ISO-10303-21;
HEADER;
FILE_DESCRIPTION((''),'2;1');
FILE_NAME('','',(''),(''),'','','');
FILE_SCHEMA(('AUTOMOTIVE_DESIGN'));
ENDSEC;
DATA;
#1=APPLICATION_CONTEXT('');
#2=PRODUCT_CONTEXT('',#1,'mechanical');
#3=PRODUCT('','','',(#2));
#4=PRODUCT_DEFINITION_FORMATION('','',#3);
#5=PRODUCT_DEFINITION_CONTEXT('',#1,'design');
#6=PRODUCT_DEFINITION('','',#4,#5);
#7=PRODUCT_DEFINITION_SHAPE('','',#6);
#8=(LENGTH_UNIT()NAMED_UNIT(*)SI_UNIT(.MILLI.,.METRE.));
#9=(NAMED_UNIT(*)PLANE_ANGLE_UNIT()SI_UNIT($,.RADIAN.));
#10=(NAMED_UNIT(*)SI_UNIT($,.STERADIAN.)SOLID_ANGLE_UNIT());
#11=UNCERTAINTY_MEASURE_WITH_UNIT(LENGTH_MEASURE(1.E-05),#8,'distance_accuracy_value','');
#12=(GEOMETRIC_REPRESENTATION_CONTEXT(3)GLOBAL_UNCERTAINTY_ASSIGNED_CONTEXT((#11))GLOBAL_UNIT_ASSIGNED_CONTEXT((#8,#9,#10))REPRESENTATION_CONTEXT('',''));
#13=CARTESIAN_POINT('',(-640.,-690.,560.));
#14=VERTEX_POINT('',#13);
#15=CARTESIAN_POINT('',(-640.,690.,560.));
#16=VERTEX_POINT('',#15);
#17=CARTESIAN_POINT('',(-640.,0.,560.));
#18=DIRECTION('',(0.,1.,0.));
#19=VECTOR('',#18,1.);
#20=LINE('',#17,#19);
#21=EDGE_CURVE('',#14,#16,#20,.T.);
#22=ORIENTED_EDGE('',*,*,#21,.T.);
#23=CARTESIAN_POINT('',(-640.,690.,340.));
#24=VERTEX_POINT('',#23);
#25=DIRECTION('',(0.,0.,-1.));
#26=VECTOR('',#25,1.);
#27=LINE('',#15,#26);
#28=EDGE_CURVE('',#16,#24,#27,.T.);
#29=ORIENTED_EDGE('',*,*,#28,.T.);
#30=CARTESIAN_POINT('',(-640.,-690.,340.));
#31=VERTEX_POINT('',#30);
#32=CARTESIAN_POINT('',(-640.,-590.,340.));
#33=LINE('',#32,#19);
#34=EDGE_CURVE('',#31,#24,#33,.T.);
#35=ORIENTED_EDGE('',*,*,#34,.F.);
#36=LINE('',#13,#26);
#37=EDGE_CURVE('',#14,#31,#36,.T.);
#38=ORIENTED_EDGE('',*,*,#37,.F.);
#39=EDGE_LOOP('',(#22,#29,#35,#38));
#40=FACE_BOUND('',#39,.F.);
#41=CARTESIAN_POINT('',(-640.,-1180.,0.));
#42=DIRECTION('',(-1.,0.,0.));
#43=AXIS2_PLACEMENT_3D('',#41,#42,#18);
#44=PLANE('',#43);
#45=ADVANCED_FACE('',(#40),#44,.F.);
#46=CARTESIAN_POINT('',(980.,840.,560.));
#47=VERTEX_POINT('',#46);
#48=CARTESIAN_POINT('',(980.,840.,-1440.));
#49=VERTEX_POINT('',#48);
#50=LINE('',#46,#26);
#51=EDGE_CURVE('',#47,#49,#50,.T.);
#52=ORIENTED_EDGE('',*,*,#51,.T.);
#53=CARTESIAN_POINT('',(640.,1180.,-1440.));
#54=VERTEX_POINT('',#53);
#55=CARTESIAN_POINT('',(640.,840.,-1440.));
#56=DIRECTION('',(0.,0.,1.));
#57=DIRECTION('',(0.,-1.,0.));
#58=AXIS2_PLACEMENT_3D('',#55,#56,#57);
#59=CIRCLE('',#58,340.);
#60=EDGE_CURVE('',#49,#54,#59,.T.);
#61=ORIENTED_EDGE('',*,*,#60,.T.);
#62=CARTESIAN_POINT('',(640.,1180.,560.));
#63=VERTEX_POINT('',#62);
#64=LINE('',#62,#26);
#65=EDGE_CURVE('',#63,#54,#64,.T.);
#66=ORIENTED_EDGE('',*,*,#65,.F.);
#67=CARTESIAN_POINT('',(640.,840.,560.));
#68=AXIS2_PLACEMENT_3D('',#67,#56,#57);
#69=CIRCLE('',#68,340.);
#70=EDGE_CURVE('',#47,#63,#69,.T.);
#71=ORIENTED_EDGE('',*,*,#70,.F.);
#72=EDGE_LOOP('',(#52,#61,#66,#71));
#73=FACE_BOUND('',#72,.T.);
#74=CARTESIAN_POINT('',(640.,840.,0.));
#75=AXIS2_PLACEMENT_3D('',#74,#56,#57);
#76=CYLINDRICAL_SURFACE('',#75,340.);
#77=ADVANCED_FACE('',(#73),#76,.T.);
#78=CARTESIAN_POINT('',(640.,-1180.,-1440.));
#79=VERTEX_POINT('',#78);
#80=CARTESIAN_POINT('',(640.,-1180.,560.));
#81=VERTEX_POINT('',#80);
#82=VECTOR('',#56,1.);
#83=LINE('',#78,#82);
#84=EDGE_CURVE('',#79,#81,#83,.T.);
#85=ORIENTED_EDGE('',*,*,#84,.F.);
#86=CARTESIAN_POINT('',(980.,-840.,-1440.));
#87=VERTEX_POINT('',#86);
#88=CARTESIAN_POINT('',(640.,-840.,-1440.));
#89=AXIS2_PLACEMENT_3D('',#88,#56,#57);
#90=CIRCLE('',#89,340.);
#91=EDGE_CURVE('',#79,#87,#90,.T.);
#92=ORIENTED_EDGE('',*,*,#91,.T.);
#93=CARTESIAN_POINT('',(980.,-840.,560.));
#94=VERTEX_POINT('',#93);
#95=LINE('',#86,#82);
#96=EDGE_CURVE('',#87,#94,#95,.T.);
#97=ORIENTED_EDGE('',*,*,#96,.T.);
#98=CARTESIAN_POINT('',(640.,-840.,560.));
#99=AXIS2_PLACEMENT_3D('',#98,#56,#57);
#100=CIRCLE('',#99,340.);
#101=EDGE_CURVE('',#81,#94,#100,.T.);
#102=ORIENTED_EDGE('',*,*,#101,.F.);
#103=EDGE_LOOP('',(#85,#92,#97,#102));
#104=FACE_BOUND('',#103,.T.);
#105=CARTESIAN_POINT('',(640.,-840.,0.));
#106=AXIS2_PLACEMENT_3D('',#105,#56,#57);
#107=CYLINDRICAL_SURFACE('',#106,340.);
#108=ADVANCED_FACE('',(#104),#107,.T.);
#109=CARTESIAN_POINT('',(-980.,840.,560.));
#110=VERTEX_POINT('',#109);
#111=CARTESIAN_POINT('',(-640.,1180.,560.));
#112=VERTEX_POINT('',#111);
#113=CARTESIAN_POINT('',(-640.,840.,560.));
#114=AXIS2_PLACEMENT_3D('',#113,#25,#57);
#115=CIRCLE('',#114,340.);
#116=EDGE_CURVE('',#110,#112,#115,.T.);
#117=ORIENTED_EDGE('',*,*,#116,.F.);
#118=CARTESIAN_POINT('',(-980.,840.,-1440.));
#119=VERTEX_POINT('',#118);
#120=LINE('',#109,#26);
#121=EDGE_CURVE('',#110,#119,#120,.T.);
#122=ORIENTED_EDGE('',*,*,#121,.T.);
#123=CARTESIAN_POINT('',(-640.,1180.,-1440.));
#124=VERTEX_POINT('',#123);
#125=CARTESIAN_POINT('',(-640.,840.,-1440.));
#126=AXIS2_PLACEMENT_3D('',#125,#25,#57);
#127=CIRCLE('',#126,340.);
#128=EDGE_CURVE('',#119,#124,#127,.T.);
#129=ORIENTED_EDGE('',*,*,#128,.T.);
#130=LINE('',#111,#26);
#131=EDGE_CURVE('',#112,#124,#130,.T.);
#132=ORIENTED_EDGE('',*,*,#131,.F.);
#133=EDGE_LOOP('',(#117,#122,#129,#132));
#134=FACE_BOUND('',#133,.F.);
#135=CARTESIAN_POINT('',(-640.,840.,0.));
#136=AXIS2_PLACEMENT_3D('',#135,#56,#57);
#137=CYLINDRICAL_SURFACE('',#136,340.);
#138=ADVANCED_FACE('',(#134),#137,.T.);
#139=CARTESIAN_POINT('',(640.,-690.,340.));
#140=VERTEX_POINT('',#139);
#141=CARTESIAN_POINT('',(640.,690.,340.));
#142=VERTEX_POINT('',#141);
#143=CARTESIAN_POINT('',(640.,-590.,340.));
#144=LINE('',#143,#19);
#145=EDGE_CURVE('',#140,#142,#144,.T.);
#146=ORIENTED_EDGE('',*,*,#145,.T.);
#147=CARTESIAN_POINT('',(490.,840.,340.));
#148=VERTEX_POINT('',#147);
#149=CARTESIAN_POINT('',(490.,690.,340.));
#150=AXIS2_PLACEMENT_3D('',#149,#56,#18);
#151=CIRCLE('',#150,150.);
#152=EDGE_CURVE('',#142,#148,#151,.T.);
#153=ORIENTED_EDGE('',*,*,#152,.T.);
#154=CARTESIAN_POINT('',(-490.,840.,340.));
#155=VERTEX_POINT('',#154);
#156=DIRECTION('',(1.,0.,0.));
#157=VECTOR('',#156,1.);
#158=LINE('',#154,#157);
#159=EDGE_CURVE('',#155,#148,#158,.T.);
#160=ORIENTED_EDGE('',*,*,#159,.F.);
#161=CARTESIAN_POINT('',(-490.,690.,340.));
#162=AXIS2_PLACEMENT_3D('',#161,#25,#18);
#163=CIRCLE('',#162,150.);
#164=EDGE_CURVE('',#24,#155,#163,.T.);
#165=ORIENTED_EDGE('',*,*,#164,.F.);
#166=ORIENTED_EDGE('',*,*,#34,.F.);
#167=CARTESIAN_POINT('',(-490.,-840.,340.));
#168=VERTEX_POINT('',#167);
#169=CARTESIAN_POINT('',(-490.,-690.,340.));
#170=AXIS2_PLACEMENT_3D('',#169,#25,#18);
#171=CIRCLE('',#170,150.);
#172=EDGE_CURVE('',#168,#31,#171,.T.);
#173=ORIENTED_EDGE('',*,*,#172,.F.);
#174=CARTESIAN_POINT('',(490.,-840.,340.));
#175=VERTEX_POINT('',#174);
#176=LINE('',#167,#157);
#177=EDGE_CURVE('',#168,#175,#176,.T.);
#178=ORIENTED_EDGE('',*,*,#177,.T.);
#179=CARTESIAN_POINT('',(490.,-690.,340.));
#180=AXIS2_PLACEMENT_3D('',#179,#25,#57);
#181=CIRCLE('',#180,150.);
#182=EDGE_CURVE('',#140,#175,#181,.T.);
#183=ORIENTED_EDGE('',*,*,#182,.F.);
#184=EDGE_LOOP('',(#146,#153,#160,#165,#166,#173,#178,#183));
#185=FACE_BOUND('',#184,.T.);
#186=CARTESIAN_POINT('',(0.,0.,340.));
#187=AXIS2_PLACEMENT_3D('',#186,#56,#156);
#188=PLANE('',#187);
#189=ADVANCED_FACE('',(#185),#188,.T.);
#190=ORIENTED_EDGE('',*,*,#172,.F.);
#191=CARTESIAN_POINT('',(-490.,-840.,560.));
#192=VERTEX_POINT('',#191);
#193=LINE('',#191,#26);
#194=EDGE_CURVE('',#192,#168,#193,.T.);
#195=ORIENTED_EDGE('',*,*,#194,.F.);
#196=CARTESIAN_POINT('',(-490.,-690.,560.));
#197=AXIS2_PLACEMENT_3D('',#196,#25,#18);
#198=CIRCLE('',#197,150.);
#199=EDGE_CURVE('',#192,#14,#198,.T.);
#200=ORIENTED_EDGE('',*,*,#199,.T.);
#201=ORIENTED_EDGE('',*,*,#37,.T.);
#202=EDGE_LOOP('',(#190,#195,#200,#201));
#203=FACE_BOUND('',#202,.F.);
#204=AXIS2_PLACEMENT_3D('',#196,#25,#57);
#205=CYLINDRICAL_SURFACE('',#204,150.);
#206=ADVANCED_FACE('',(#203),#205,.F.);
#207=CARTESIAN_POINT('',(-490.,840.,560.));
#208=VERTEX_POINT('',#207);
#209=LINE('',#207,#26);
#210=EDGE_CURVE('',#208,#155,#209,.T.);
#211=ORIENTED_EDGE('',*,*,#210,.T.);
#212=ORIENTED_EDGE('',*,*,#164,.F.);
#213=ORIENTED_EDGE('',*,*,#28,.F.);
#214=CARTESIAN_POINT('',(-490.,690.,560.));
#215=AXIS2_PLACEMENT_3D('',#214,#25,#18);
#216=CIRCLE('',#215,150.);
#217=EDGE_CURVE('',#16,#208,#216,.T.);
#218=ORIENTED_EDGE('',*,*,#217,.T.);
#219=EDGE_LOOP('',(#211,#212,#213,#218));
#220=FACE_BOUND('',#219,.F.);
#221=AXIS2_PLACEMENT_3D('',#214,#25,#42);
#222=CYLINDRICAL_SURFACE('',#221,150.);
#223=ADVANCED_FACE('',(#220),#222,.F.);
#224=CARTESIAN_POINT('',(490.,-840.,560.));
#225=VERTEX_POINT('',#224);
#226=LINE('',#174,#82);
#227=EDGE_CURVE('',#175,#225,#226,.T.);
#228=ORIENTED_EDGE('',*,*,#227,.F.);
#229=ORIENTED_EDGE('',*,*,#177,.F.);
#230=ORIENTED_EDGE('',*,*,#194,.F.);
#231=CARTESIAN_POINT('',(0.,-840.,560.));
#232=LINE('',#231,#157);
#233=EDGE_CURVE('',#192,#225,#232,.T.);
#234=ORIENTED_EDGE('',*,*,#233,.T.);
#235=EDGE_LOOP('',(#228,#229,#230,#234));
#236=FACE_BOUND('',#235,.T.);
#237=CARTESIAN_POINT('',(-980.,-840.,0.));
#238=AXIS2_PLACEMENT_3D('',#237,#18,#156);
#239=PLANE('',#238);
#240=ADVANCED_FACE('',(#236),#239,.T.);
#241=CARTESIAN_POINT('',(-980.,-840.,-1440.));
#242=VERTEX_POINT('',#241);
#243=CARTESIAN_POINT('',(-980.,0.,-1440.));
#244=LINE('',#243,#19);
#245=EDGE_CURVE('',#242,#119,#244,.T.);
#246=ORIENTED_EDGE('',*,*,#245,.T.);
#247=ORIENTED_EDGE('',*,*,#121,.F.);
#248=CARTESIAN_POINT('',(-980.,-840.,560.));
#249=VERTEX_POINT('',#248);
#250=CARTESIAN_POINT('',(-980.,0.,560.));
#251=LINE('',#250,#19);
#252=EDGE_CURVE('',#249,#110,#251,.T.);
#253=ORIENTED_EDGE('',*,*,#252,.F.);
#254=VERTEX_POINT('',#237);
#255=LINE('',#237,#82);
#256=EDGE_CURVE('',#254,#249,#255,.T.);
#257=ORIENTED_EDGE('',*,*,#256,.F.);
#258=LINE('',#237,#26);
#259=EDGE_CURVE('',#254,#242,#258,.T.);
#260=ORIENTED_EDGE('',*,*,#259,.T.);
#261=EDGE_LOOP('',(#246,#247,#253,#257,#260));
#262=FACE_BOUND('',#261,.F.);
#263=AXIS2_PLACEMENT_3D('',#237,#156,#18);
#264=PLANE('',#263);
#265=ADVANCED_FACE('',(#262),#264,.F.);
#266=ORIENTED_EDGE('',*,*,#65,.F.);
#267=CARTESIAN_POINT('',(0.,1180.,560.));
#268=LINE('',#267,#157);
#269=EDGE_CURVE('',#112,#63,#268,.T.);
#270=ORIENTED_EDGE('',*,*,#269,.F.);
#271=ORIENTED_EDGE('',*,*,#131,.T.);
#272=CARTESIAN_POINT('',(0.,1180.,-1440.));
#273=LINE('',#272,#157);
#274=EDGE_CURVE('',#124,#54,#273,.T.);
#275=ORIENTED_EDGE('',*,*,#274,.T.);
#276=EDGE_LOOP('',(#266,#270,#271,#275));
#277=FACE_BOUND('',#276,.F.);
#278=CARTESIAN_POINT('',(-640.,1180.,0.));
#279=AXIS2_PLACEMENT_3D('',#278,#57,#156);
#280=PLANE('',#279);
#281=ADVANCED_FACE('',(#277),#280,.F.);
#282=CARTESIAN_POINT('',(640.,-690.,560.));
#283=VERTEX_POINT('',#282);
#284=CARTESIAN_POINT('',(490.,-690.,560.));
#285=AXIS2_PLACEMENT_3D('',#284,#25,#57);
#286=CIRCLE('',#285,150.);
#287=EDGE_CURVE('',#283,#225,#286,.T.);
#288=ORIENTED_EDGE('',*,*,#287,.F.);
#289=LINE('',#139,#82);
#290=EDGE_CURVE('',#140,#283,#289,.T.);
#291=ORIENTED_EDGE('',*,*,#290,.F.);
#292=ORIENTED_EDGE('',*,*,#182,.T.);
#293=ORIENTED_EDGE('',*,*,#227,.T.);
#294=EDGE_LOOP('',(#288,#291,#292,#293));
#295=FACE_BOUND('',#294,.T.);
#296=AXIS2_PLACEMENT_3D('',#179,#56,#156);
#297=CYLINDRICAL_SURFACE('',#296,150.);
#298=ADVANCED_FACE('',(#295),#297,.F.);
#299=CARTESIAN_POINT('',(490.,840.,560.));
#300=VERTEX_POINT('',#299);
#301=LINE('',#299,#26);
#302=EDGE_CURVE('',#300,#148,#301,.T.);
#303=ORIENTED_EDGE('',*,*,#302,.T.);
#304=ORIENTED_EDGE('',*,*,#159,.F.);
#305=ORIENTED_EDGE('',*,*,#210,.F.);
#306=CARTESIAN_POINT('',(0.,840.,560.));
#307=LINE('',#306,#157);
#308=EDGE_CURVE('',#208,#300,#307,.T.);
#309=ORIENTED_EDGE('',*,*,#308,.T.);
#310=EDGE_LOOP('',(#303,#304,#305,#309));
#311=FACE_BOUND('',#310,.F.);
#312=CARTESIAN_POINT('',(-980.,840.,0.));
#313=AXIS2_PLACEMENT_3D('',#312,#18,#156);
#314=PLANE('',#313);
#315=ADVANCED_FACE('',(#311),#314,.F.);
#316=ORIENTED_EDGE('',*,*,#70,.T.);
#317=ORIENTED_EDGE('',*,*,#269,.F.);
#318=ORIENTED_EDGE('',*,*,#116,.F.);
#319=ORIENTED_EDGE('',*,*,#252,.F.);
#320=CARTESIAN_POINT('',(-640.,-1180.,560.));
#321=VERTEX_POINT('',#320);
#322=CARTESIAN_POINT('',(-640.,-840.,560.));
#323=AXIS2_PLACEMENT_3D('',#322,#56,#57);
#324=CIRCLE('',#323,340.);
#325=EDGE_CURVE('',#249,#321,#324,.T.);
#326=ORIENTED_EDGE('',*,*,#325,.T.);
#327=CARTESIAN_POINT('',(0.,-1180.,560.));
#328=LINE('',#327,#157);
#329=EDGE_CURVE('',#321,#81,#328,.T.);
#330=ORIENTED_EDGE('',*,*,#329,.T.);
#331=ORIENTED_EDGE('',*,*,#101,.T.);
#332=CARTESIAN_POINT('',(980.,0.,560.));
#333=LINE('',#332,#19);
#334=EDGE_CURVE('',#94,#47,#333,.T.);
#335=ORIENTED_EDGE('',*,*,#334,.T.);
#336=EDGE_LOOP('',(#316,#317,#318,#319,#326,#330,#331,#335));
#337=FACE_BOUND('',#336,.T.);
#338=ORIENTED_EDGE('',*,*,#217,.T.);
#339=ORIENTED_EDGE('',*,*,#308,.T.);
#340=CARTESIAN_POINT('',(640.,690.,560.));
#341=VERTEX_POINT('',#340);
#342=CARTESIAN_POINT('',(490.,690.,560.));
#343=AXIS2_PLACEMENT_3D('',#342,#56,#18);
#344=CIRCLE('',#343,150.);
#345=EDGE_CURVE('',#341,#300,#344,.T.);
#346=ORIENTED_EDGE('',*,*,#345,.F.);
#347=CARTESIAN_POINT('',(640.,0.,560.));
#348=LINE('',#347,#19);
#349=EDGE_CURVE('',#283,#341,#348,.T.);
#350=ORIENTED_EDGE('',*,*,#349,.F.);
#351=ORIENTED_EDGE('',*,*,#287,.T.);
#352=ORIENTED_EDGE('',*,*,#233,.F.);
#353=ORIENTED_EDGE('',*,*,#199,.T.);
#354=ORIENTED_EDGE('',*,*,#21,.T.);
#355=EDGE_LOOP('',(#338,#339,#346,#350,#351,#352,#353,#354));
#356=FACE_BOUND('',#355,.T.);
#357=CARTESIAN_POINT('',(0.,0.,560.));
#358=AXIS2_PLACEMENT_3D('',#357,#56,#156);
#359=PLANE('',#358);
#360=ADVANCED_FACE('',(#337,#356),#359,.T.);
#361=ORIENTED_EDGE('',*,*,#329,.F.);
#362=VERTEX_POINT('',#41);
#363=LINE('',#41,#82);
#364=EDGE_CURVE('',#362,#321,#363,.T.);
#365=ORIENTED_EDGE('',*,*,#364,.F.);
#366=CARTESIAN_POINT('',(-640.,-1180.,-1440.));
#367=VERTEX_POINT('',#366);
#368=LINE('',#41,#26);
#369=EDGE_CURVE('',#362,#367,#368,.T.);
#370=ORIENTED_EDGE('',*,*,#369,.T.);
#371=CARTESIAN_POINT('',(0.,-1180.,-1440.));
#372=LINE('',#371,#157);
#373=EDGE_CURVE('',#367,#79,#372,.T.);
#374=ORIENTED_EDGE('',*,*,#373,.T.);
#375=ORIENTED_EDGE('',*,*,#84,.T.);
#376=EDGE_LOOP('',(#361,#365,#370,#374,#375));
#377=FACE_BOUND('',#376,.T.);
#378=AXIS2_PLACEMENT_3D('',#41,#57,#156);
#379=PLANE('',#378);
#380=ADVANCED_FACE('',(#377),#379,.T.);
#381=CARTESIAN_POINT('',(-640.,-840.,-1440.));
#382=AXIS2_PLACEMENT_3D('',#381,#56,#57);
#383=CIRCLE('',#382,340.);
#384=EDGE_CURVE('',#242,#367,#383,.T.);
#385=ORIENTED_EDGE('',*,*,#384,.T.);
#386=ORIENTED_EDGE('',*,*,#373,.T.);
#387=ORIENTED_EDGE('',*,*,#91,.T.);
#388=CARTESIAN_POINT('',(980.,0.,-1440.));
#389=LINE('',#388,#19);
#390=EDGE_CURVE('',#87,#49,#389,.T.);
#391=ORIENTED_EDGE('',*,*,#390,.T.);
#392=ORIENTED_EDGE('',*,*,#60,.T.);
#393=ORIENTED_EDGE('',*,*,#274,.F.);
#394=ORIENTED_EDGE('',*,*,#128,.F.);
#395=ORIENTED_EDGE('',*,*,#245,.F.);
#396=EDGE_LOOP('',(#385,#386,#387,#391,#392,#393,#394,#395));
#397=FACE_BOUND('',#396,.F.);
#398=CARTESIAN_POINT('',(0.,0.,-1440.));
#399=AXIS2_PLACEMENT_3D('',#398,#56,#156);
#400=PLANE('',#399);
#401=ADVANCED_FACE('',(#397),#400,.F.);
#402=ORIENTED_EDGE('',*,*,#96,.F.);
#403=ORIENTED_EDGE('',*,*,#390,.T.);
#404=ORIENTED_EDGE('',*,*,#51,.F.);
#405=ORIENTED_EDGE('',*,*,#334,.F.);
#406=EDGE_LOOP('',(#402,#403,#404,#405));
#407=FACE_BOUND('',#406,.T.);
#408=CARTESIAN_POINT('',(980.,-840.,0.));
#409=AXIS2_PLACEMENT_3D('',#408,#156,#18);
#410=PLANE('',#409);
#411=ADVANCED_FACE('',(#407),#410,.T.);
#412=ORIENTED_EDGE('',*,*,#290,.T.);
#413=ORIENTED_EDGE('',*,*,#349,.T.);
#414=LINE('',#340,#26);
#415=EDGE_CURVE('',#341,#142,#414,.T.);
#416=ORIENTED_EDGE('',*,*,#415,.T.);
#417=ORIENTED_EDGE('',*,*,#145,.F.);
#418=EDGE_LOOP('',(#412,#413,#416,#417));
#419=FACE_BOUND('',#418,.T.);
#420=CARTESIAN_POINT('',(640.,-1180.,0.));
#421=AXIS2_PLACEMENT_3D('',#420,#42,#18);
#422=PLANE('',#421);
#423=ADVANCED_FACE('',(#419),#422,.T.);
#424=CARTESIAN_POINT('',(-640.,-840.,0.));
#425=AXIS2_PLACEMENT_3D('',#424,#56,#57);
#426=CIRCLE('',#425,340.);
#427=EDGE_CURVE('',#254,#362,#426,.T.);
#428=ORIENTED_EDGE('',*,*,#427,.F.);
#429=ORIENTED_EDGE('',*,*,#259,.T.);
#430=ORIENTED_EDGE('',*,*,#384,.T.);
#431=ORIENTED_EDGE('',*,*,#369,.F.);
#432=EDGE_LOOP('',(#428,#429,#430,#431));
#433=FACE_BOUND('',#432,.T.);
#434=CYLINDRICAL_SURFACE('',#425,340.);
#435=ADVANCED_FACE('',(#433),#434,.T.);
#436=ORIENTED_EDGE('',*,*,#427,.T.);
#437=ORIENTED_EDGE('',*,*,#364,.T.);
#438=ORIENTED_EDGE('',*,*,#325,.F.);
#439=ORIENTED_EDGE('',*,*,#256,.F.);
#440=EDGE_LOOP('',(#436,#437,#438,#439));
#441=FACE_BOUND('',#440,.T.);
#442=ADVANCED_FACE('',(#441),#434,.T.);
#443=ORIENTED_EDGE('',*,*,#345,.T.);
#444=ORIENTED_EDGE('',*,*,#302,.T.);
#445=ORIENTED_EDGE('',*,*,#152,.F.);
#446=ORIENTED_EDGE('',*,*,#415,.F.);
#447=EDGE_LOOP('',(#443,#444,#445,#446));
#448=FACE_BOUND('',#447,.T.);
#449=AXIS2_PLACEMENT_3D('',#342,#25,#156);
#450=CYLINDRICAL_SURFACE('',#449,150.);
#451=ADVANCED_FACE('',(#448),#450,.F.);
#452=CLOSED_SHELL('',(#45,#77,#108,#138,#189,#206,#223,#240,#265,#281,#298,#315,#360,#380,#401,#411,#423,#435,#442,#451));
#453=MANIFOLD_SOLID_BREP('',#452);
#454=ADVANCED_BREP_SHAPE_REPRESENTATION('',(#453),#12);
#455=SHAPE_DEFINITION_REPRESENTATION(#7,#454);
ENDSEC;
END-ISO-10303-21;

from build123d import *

# Parameters (mm, degrees)
F0_W     = 1960
F0_H     = 2360
F1_DEPTH = 560
F2_T     = -340
F3_R     = 340
F4_R     = 150
F5_DEPTH = 1440


with BuildPart() as f1:
    # F0 (on Top) → F1 (new body)
    with BuildSketch(Plane.XY):
        Rectangle(F0_W, F0_H)
    extrude(amount=F1_DEPTH)

    # F2
    f2_openings = [f1.faces().sort_by_distance(p)[0] for p in [
        (0, 0, 560),
    ]]
    offset(amount=F2_T, openings=f2_openings)

    # F3
    f3_edges = [f1.edges().sort_by_distance(p)[0] for p in [
        (-980, 1180, 280),
        (980, 1180, 280),
        (-980, -1180, 280),
        (980, -1180, 280),
    ]]
    fillet(f3_edges, radius=F3_R)

    # F4
    f4_edges = [f1.edges().sort_by_distance(p)[0] for p in [
        (640, 840, 450),
        (640, -840, 450),
        (-640, -840, 450),
        (-640, 840, 450),
    ]]
    fillet(f4_edges, radius=F4_R)

    # F5 (add): a face of the model
    f5_faces = [f1.faces().sort_by_distance(p)[0] for p in [
        (0, 0, 0),
    ]]
    extrude(f5_faces, amount=F5_DEPTH)


solid = f1.part
